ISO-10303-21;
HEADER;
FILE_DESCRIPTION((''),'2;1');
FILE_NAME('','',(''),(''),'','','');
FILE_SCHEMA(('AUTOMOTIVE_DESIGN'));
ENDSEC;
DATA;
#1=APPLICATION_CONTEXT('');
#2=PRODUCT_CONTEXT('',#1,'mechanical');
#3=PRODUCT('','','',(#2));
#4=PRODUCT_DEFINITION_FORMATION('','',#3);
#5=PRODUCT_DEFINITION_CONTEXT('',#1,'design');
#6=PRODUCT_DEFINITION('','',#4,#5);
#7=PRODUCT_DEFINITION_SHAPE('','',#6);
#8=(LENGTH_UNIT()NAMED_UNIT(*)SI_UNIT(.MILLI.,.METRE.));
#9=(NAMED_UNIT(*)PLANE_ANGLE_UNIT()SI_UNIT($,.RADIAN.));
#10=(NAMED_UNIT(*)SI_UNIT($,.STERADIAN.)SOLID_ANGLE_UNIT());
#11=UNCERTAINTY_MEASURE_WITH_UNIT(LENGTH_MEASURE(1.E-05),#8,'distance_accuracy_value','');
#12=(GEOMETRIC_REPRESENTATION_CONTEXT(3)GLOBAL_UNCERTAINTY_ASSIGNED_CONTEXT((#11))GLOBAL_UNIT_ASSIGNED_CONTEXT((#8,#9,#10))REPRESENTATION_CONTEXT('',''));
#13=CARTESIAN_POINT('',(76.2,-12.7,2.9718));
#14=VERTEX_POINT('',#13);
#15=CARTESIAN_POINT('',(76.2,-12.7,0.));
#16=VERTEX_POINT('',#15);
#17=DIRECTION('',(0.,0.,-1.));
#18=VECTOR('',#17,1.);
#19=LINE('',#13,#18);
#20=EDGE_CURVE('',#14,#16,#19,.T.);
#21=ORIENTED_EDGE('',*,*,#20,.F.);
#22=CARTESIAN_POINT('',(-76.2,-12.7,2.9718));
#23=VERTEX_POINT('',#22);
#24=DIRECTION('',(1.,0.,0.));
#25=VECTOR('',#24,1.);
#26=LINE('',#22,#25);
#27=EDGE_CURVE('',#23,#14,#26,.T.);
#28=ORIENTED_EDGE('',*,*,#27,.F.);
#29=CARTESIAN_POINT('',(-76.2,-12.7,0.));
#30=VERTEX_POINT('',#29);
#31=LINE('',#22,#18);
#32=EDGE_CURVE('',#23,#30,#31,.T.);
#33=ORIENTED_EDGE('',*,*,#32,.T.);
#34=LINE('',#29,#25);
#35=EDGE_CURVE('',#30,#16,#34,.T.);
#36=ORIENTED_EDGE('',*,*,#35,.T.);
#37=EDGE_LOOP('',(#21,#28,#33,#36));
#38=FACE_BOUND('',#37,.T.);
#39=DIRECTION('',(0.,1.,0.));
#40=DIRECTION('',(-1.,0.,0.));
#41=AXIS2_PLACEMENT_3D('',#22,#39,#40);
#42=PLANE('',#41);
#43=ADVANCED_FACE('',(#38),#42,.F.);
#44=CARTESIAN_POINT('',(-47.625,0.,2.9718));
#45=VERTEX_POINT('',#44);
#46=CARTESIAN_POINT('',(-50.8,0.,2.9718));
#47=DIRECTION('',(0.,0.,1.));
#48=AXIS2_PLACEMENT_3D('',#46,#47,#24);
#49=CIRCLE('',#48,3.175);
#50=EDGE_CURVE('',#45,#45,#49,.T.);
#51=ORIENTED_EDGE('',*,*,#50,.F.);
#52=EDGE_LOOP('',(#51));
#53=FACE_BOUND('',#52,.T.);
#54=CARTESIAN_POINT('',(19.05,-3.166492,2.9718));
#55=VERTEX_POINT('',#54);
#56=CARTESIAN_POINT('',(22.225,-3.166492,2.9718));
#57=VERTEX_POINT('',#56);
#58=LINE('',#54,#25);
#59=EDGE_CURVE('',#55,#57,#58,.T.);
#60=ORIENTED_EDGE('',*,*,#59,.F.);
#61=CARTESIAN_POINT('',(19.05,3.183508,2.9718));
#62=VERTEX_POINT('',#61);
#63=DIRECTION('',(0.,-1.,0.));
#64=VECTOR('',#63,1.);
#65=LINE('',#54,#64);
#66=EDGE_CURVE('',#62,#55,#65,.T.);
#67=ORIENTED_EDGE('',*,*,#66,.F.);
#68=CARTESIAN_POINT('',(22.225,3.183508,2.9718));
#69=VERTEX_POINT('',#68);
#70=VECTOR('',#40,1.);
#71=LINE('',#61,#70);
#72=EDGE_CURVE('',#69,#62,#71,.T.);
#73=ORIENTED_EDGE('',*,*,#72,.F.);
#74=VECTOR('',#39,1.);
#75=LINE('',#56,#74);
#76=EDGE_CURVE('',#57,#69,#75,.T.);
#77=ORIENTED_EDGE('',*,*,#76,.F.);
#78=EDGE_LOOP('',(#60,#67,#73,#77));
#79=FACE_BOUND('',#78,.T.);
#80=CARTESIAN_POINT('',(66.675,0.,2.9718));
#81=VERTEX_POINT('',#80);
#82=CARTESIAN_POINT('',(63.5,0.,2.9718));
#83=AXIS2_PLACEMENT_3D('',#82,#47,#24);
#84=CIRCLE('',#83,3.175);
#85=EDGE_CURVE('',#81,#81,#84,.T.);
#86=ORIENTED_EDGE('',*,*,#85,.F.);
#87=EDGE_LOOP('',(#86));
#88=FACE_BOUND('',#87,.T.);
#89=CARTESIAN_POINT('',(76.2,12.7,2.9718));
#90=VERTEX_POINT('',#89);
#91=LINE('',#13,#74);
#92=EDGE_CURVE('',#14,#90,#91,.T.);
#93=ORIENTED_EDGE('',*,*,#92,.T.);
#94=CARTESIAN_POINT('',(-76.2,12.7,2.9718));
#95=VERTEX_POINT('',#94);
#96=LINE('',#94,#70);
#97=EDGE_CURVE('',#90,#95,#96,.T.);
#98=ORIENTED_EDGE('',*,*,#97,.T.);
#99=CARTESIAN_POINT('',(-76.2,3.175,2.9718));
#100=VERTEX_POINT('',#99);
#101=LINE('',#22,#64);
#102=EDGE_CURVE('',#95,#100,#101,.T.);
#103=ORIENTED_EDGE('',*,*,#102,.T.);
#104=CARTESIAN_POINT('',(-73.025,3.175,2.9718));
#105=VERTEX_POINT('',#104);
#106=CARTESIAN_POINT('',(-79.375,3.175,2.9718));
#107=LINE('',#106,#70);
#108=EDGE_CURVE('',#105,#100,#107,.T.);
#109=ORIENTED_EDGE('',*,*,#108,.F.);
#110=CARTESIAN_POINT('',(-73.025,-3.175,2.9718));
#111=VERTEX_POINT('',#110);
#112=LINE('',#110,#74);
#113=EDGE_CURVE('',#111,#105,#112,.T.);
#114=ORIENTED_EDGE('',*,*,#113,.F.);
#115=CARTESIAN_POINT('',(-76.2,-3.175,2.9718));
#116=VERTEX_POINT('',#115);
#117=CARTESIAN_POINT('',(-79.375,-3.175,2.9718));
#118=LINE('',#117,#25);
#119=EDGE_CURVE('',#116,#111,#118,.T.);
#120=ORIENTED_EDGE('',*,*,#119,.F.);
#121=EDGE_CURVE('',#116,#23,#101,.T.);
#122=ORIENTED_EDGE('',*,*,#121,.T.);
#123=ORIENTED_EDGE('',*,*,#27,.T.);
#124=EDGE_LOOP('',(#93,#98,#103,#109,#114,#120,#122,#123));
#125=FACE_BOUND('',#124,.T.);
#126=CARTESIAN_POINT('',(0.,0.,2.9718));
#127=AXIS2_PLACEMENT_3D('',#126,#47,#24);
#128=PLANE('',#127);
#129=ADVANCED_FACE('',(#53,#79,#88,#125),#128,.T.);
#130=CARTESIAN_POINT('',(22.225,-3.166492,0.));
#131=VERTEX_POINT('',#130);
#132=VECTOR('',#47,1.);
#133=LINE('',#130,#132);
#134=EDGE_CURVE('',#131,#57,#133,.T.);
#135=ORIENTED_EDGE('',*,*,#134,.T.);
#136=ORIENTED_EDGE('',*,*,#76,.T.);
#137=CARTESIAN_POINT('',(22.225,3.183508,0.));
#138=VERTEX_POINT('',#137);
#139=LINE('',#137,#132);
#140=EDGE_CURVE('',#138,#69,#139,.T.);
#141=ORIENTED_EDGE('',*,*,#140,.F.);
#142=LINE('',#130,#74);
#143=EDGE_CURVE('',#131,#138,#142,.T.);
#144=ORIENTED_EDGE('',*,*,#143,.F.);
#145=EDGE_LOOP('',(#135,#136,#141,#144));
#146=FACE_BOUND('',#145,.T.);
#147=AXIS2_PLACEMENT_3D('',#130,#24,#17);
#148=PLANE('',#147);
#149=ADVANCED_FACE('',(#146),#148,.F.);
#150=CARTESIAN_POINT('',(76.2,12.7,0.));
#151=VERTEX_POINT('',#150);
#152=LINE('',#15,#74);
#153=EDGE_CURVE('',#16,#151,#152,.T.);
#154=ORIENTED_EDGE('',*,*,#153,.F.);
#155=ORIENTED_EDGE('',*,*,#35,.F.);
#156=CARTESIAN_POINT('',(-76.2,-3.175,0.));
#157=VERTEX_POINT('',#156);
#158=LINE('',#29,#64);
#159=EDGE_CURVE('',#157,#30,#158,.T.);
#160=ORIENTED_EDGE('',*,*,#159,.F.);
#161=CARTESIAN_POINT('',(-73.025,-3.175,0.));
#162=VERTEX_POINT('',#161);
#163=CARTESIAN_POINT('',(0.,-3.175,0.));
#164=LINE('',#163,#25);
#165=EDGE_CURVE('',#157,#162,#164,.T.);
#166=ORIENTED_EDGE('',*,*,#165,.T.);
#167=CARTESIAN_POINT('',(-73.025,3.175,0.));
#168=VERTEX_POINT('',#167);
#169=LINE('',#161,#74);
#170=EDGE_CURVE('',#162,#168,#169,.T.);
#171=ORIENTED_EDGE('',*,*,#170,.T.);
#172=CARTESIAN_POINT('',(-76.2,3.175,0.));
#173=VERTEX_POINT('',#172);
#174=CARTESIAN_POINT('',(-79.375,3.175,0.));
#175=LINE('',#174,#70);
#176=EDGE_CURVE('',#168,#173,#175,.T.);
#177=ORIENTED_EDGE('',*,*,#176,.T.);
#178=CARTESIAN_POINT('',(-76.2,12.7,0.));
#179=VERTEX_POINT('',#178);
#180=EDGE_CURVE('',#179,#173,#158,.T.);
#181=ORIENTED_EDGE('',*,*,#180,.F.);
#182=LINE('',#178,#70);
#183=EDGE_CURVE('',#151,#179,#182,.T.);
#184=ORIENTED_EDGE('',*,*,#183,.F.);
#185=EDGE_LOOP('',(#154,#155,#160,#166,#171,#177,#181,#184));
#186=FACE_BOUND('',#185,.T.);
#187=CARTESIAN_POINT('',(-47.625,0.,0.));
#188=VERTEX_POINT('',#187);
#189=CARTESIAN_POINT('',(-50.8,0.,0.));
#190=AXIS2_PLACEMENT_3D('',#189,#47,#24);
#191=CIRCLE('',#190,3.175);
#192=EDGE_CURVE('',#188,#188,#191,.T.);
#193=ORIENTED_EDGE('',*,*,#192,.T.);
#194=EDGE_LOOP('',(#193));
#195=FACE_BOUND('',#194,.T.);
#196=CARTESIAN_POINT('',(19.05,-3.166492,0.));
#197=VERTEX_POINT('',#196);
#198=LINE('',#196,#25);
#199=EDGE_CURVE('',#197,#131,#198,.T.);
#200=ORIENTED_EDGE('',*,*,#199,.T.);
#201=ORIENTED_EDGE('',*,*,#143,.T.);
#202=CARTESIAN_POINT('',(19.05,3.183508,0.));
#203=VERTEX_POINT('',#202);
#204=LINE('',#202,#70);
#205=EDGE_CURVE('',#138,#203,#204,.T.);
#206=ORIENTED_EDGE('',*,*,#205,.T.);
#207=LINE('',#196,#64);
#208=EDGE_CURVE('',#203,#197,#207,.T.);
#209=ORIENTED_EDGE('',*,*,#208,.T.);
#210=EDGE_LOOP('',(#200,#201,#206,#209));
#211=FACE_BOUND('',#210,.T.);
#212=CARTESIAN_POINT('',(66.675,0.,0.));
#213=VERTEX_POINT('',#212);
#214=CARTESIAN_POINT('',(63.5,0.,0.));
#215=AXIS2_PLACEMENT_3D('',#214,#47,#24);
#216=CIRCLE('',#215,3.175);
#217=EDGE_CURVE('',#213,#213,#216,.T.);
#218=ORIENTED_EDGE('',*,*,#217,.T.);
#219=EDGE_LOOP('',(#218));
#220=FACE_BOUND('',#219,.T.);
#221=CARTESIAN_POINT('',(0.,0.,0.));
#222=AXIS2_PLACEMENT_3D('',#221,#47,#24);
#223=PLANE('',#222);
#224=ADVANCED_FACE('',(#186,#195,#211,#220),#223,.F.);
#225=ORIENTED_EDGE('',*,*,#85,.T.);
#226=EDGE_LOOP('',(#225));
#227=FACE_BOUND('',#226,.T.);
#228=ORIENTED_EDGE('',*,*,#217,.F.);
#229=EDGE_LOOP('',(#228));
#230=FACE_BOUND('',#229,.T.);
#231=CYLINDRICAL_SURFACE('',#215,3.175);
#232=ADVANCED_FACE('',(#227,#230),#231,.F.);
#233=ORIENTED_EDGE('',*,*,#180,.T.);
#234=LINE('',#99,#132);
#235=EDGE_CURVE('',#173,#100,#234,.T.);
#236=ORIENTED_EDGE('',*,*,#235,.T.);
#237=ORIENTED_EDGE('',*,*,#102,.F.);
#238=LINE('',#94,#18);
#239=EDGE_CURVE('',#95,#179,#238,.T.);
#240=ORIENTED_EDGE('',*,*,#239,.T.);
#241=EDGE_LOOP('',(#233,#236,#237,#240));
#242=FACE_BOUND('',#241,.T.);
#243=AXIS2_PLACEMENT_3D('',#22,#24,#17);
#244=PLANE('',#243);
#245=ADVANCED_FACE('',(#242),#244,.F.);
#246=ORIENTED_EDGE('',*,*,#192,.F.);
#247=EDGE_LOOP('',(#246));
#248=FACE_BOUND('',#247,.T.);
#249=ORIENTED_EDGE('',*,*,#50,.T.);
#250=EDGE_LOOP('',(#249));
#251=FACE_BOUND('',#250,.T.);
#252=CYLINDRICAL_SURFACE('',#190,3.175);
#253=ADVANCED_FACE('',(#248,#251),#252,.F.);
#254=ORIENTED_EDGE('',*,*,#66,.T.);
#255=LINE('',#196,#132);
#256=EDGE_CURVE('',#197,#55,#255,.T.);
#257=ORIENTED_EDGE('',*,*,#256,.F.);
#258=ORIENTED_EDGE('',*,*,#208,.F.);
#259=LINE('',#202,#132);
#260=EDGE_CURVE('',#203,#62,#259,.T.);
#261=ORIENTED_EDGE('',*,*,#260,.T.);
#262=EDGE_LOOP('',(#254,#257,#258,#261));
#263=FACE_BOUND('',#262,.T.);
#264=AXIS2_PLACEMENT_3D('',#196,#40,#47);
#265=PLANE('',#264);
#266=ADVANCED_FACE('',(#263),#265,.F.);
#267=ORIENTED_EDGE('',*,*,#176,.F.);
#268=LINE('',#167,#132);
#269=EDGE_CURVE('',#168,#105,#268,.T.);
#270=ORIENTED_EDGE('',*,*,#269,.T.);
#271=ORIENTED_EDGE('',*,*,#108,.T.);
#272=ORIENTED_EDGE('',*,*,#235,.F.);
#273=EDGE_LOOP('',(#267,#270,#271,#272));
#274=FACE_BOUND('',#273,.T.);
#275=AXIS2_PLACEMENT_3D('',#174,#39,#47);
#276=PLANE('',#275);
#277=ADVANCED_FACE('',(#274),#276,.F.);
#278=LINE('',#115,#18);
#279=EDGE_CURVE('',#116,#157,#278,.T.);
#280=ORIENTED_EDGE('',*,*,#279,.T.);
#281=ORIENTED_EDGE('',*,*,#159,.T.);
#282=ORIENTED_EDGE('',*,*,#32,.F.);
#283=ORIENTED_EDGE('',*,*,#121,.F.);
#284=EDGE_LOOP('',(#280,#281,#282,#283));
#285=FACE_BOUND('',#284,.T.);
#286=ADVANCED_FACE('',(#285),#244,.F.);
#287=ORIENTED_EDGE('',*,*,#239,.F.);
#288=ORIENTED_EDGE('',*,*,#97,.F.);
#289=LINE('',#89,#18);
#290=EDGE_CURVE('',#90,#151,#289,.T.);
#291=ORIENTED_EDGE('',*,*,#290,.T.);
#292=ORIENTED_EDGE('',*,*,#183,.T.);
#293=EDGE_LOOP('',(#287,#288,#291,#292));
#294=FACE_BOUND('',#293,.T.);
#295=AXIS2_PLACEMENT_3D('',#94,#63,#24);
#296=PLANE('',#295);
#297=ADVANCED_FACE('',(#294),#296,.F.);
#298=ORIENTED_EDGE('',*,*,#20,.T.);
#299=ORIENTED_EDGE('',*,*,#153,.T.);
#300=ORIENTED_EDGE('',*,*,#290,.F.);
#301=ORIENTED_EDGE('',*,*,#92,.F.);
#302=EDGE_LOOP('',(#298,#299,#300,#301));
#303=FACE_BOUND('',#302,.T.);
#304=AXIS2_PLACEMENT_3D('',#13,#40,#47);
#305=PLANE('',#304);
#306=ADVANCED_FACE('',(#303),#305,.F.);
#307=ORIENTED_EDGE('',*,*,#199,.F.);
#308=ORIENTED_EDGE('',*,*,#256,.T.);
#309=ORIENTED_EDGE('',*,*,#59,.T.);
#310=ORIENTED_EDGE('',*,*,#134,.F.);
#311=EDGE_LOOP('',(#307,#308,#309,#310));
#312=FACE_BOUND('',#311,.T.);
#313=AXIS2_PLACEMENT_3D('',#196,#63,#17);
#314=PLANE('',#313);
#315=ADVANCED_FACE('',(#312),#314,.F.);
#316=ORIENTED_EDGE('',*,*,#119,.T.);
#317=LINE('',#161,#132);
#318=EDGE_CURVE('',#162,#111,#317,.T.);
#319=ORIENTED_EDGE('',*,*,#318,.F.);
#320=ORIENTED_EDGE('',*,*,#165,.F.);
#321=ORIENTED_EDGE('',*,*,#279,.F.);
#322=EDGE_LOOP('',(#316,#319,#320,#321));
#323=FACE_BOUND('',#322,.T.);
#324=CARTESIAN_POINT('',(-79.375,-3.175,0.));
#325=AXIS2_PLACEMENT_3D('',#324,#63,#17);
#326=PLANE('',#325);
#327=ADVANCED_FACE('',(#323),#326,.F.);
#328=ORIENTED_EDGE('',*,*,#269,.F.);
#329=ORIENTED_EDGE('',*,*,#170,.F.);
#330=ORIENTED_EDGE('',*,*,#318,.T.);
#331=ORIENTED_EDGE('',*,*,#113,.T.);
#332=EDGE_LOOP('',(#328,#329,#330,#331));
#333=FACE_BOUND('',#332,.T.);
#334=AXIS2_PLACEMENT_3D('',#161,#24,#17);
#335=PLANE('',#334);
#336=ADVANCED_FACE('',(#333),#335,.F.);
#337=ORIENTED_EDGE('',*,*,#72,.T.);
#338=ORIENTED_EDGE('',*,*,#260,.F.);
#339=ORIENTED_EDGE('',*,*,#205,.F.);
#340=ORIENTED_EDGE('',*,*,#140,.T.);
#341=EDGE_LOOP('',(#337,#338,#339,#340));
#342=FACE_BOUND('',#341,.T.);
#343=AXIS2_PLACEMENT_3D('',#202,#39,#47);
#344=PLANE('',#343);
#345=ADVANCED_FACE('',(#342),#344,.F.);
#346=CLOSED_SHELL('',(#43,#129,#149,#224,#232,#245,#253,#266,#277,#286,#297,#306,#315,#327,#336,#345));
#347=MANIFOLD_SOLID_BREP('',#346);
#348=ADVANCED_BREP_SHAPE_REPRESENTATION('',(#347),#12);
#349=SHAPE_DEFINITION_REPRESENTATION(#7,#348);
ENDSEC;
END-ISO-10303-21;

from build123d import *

# Parameters (mm, degrees)
SKETCH1_W           = 25.4
SKETCH1_H           = 152.4
BOSS_EXTRUDE1_DEPTH = 2.9718
SKETCH7_R           = 3.175
SKETCH7_W           = 6.35
SKETCH7_H           = 6.35
SKETCH7_W_2         = 3.175
CUT_EXTRUDE5_DEPTH  = 78.308224629


with BuildPart() as part:
    # Sketch1 → Boss-Extrude1 (new body)
    with BuildSketch(Plane(origin=(0, 0, 0), x_dir=(0, 1, 0), z_dir=(0, 0, 1))):
        Rectangle(SKETCH1_W, SKETCH1_H)
    extrude(amount=BOSS_EXTRUDE1_DEPTH)

    # Sketch7 → Cut-Extrude5 (cut, through all)
    with BuildSketch(Plane.XY.offset(2.9718)):
        with Locations((-50.8, 0)):
            Circle(SKETCH7_R)
        with Locations((63.5, 0)):
            Circle(SKETCH7_R)
        with Locations((-76.2, 0)):
            Rectangle(SKETCH7_W, SKETCH7_H)
        with Locations((20.6375, 0.008508047)):
            Rectangle(SKETCH7_W_2, SKETCH7_H)
    extrude(amount=-CUT_EXTRUDE5_DEPTH, mode=Mode.SUBTRACT)


solid = part.part
